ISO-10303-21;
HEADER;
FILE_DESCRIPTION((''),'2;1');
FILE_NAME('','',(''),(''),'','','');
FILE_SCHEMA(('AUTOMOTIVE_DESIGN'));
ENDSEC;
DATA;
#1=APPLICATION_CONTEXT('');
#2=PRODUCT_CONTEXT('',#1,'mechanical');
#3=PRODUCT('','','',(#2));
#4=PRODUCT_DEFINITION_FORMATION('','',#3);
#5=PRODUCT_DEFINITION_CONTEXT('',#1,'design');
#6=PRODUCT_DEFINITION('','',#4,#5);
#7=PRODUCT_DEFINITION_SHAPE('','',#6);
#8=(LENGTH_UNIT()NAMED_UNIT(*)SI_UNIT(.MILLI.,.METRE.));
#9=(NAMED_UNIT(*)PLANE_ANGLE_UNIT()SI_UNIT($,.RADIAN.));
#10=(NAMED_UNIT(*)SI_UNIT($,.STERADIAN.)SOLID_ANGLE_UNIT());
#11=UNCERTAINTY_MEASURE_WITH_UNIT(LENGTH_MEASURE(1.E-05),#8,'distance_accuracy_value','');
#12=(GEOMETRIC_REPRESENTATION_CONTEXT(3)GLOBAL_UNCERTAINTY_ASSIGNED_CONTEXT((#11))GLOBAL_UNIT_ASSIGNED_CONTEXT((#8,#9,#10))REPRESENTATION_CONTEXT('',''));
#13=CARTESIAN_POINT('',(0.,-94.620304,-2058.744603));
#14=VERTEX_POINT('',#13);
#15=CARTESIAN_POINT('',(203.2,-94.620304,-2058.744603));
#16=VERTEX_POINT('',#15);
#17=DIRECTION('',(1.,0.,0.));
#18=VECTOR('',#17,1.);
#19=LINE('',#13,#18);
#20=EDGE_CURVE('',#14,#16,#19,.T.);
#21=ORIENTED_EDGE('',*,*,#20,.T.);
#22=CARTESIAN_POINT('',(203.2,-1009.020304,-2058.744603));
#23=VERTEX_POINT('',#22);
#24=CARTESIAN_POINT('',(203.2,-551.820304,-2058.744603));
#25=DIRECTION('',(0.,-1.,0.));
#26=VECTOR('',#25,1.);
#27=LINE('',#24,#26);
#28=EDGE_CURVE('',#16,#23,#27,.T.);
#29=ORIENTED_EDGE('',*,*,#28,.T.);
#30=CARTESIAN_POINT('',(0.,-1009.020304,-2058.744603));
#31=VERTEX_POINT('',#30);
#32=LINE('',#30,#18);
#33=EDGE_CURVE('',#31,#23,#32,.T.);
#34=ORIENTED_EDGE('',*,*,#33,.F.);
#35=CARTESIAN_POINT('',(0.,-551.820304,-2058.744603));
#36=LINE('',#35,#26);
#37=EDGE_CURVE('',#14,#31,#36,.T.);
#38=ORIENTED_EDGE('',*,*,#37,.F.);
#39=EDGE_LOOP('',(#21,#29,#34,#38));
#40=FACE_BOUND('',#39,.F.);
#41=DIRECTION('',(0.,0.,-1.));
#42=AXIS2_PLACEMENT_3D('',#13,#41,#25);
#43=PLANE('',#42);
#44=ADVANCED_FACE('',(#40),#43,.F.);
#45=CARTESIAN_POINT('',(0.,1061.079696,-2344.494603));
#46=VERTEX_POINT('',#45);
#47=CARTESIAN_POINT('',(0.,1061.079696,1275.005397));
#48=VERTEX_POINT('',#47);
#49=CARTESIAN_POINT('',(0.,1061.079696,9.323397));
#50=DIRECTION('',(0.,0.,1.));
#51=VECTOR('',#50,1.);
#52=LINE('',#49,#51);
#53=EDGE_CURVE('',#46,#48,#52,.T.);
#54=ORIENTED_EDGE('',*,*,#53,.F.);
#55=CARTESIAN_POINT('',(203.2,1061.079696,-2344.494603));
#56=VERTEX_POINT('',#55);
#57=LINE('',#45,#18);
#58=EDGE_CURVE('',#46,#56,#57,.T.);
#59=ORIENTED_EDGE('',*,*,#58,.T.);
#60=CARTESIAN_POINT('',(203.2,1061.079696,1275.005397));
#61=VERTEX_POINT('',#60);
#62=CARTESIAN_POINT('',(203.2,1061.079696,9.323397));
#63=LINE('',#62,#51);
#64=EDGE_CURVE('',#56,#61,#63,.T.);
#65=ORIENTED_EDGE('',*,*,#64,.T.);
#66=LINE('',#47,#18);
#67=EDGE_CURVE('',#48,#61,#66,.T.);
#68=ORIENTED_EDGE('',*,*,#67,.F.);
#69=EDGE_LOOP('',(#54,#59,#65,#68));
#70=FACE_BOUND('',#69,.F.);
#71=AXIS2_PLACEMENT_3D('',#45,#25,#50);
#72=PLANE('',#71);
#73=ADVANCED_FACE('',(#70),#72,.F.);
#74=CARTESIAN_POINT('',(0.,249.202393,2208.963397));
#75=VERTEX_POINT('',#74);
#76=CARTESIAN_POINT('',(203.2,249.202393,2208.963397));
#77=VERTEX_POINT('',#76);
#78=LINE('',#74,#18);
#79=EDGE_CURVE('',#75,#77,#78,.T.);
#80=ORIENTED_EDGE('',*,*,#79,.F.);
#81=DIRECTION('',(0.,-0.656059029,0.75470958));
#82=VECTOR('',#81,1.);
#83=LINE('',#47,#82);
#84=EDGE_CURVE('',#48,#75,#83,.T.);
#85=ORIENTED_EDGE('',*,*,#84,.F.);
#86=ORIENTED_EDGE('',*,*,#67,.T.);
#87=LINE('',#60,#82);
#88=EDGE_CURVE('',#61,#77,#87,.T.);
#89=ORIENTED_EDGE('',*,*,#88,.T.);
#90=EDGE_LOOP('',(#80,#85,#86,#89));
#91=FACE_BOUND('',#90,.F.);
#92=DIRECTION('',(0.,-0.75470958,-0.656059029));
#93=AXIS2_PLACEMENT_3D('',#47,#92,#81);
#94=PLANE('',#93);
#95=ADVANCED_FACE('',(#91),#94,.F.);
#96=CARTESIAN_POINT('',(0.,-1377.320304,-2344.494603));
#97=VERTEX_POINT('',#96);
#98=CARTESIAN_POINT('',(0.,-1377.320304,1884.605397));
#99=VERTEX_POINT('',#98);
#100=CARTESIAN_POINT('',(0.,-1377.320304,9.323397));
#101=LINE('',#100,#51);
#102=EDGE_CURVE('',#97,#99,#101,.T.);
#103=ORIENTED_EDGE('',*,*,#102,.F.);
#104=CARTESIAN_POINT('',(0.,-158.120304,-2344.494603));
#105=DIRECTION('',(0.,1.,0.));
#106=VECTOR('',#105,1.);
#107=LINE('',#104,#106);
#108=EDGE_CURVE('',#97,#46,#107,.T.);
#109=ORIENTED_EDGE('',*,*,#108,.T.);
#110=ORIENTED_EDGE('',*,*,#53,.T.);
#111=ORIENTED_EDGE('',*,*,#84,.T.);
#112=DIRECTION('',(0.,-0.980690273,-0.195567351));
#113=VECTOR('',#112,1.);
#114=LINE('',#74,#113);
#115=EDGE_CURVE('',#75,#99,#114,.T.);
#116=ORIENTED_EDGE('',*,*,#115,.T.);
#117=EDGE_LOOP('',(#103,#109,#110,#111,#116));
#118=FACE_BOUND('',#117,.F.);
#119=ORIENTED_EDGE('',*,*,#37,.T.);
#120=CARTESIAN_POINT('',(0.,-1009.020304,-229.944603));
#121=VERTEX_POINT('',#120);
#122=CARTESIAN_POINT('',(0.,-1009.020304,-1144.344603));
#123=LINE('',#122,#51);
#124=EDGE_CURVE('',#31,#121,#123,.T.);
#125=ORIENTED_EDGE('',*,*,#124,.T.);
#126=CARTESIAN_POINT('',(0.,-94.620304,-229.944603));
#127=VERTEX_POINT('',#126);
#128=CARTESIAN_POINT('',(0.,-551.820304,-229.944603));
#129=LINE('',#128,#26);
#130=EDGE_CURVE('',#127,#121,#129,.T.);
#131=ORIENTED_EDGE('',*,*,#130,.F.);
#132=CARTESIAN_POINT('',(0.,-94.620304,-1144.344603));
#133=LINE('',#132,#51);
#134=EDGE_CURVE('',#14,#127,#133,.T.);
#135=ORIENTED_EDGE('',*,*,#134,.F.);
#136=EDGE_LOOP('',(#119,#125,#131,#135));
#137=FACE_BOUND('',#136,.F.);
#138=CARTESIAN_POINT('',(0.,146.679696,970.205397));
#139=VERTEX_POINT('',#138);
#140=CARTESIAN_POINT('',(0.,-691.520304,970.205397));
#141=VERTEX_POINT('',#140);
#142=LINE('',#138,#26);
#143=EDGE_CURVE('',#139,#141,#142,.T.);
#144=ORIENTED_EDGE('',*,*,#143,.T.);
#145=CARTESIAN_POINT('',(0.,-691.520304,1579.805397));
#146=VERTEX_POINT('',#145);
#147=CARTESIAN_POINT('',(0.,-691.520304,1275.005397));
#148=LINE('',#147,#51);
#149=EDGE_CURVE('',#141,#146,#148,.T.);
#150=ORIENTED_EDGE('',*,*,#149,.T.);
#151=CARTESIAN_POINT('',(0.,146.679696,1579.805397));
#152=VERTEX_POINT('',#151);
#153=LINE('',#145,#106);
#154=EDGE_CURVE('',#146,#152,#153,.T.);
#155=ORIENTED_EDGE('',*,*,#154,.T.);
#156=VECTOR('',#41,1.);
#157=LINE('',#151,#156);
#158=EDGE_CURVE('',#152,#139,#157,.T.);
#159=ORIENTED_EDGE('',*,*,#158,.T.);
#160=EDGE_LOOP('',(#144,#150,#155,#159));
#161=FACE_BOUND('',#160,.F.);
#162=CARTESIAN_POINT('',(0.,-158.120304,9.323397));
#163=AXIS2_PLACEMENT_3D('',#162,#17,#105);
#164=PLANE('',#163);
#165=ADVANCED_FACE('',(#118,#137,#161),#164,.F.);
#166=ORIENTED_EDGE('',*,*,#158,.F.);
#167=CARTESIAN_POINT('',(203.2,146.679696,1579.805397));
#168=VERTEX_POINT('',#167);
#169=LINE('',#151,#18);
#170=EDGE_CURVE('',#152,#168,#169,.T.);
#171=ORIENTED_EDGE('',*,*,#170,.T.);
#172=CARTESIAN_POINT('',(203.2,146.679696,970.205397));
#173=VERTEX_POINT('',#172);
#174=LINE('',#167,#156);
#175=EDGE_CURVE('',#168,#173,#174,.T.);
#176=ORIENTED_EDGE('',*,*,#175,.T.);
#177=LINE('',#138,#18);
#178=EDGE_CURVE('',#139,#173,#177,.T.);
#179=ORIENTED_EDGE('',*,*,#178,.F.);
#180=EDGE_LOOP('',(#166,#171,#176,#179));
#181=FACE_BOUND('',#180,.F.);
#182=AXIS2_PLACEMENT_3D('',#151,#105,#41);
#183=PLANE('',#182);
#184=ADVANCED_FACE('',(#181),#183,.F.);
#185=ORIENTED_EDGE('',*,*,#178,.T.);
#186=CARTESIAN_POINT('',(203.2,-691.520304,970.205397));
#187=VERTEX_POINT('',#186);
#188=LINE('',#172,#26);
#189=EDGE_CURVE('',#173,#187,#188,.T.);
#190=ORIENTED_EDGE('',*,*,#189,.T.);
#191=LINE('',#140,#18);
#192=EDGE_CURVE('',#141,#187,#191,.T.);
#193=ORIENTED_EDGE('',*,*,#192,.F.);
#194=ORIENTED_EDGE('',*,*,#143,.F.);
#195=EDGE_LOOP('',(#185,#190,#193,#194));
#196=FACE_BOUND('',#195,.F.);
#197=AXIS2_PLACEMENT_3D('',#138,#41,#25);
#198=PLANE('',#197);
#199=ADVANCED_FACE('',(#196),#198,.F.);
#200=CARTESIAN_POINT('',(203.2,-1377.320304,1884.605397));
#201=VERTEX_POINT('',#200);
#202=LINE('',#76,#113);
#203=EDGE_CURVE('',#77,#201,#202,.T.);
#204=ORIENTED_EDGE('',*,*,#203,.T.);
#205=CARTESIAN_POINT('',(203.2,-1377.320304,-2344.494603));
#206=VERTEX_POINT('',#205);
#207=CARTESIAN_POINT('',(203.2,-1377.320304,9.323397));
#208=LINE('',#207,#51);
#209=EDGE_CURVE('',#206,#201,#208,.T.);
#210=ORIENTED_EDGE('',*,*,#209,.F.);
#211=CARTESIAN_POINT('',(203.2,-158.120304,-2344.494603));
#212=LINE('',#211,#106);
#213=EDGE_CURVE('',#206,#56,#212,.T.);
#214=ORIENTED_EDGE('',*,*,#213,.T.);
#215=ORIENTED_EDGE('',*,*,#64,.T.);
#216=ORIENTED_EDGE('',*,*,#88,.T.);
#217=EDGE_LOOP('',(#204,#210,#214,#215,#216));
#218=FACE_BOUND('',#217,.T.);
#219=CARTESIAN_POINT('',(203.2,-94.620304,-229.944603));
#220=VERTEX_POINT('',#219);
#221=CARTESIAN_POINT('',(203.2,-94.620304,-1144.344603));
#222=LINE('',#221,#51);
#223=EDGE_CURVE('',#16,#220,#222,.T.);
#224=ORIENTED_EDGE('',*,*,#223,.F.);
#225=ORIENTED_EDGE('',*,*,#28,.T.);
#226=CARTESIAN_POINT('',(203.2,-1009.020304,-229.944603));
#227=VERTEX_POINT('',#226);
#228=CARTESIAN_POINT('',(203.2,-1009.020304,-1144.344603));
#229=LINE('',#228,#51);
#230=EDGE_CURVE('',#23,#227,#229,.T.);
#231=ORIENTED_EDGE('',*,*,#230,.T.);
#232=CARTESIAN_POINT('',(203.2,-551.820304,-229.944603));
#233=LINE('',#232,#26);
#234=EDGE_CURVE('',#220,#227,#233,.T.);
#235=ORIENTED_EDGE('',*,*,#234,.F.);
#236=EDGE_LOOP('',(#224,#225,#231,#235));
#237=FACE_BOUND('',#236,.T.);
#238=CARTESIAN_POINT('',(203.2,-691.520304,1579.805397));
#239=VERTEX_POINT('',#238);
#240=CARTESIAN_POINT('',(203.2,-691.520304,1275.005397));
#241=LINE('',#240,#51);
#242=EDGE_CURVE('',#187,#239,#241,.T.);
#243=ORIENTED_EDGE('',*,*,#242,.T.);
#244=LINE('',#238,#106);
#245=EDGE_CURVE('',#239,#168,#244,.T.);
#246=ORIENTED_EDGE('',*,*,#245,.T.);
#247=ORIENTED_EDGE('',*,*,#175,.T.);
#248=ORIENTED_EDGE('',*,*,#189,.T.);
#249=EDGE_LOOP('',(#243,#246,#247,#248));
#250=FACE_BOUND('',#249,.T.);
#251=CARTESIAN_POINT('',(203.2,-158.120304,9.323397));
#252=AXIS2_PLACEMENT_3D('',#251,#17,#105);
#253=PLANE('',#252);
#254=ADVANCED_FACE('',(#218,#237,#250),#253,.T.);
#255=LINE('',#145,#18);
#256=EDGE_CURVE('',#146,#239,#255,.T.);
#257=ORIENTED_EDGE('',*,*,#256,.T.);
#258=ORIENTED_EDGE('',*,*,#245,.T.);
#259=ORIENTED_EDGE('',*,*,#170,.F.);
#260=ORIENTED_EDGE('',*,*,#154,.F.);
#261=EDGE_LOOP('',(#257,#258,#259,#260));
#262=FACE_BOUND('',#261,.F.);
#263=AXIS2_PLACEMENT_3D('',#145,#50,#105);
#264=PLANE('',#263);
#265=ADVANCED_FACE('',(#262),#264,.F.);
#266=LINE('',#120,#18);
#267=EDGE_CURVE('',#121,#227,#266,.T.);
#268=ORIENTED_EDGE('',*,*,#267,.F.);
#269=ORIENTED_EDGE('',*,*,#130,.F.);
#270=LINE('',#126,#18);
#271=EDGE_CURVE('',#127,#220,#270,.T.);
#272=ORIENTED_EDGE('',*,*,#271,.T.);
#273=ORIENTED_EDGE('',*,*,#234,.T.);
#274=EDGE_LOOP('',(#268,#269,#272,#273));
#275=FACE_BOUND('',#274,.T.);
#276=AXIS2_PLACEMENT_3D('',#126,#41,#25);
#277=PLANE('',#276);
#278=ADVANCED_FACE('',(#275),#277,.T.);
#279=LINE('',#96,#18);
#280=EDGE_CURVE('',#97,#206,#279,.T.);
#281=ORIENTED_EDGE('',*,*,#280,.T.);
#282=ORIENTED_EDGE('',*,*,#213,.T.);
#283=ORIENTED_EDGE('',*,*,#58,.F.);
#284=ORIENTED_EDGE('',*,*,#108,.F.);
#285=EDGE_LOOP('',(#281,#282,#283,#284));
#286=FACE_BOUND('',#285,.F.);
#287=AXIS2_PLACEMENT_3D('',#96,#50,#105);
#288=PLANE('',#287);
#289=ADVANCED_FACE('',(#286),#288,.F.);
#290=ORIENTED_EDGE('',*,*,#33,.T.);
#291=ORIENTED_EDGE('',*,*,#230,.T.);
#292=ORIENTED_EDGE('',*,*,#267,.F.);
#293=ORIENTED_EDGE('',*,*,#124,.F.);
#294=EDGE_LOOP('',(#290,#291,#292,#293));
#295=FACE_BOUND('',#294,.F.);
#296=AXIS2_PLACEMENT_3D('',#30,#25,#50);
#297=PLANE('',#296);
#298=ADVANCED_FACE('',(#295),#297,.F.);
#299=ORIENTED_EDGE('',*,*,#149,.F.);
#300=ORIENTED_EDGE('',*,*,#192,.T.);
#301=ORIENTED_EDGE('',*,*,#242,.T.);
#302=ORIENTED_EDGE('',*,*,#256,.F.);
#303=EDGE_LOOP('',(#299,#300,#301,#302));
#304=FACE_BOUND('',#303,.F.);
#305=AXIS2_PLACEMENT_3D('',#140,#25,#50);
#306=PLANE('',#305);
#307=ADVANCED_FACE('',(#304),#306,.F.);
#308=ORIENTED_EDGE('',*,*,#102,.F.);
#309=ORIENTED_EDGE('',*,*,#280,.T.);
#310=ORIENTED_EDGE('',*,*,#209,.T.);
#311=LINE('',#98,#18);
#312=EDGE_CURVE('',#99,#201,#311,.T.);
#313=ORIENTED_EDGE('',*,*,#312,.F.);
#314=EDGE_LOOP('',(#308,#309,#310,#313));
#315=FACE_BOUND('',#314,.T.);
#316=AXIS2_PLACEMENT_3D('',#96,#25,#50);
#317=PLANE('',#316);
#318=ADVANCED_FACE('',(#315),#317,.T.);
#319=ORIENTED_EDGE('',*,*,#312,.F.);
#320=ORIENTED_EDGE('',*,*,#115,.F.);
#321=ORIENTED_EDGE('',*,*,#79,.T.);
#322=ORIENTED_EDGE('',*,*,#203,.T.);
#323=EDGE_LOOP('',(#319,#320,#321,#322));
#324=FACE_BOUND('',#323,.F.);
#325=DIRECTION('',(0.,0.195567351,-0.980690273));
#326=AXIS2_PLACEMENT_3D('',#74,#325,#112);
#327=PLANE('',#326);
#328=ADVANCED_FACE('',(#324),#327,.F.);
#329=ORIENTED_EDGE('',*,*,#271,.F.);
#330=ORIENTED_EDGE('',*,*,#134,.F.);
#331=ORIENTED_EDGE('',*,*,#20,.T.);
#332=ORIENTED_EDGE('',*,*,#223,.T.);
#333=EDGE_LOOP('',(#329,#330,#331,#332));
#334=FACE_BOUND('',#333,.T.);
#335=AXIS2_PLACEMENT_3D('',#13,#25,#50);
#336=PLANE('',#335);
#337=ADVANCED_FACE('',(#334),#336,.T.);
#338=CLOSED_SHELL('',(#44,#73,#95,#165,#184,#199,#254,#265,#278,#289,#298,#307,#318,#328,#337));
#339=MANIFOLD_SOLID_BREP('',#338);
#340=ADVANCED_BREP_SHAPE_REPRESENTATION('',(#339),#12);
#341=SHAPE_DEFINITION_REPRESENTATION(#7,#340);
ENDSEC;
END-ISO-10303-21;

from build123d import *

# Parameters (mm, degrees)
F0_W     = 2438.4
F0_H     = 4707.636
F1_DEPTH = 203.2
F2_W     = 914.4
F2_H     = 1828.8
F3_DEPTH = 203.2
F4_W     = 596.9
F4_H     = 609.6
F5_DEPTH = 203.2


with BuildPart() as f1:
    # F0 (on Right) → F1 (new body)
    with BuildSketch(Plane.YZ):
        with Locations((-158.120304, 9.323397)):
            Rectangle(F0_W, F0_H)
    extrude(amount=F1_DEPTH)

    # F2 (on face) → F3 (cut)
    with BuildSketch(Plane(origin=(0, 0, 0), x_dir=(0, -1, 0), z_dir=(-1, 0, 0))):
        Polygon((-1061.079696, 1275.005397), (-249.202393, 2208.963397), (-249.202393, 2363.141397), (-1061.079696, 2363.141397), align=None)
        Polygon((-249.202393, 2363.141397), (-249.202393, 2208.963397), (1377.320304, 1884.605397), (1377.320304, 2363.141397), align=None)
        with Locations((551.820304, -1144.344603)):
            Rectangle(F2_W, F2_H)
    extrude(amount=-F3_DEPTH, mode=Mode.SUBTRACT)

    # F4 (on face) → F5 (cut)
    with BuildSketch(Plane(origin=(0, 0, 0), x_dir=(0, -1, 0), z_dir=(-1, 0, 0))):
        Polygon((-146.679696, 970.205397), (94.620304, 970.205397), (94.620304, 1579.805397), (-146.679696, 1579.805397), (-146.679696, 1157.968163), align=None)
        with Locations((393.070304, 1275.005397)):
            Rectangle(F4_W, F4_H)
    extrude(amount=-F5_DEPTH, mode=Mode.SUBTRACT)


solid = f1.part
